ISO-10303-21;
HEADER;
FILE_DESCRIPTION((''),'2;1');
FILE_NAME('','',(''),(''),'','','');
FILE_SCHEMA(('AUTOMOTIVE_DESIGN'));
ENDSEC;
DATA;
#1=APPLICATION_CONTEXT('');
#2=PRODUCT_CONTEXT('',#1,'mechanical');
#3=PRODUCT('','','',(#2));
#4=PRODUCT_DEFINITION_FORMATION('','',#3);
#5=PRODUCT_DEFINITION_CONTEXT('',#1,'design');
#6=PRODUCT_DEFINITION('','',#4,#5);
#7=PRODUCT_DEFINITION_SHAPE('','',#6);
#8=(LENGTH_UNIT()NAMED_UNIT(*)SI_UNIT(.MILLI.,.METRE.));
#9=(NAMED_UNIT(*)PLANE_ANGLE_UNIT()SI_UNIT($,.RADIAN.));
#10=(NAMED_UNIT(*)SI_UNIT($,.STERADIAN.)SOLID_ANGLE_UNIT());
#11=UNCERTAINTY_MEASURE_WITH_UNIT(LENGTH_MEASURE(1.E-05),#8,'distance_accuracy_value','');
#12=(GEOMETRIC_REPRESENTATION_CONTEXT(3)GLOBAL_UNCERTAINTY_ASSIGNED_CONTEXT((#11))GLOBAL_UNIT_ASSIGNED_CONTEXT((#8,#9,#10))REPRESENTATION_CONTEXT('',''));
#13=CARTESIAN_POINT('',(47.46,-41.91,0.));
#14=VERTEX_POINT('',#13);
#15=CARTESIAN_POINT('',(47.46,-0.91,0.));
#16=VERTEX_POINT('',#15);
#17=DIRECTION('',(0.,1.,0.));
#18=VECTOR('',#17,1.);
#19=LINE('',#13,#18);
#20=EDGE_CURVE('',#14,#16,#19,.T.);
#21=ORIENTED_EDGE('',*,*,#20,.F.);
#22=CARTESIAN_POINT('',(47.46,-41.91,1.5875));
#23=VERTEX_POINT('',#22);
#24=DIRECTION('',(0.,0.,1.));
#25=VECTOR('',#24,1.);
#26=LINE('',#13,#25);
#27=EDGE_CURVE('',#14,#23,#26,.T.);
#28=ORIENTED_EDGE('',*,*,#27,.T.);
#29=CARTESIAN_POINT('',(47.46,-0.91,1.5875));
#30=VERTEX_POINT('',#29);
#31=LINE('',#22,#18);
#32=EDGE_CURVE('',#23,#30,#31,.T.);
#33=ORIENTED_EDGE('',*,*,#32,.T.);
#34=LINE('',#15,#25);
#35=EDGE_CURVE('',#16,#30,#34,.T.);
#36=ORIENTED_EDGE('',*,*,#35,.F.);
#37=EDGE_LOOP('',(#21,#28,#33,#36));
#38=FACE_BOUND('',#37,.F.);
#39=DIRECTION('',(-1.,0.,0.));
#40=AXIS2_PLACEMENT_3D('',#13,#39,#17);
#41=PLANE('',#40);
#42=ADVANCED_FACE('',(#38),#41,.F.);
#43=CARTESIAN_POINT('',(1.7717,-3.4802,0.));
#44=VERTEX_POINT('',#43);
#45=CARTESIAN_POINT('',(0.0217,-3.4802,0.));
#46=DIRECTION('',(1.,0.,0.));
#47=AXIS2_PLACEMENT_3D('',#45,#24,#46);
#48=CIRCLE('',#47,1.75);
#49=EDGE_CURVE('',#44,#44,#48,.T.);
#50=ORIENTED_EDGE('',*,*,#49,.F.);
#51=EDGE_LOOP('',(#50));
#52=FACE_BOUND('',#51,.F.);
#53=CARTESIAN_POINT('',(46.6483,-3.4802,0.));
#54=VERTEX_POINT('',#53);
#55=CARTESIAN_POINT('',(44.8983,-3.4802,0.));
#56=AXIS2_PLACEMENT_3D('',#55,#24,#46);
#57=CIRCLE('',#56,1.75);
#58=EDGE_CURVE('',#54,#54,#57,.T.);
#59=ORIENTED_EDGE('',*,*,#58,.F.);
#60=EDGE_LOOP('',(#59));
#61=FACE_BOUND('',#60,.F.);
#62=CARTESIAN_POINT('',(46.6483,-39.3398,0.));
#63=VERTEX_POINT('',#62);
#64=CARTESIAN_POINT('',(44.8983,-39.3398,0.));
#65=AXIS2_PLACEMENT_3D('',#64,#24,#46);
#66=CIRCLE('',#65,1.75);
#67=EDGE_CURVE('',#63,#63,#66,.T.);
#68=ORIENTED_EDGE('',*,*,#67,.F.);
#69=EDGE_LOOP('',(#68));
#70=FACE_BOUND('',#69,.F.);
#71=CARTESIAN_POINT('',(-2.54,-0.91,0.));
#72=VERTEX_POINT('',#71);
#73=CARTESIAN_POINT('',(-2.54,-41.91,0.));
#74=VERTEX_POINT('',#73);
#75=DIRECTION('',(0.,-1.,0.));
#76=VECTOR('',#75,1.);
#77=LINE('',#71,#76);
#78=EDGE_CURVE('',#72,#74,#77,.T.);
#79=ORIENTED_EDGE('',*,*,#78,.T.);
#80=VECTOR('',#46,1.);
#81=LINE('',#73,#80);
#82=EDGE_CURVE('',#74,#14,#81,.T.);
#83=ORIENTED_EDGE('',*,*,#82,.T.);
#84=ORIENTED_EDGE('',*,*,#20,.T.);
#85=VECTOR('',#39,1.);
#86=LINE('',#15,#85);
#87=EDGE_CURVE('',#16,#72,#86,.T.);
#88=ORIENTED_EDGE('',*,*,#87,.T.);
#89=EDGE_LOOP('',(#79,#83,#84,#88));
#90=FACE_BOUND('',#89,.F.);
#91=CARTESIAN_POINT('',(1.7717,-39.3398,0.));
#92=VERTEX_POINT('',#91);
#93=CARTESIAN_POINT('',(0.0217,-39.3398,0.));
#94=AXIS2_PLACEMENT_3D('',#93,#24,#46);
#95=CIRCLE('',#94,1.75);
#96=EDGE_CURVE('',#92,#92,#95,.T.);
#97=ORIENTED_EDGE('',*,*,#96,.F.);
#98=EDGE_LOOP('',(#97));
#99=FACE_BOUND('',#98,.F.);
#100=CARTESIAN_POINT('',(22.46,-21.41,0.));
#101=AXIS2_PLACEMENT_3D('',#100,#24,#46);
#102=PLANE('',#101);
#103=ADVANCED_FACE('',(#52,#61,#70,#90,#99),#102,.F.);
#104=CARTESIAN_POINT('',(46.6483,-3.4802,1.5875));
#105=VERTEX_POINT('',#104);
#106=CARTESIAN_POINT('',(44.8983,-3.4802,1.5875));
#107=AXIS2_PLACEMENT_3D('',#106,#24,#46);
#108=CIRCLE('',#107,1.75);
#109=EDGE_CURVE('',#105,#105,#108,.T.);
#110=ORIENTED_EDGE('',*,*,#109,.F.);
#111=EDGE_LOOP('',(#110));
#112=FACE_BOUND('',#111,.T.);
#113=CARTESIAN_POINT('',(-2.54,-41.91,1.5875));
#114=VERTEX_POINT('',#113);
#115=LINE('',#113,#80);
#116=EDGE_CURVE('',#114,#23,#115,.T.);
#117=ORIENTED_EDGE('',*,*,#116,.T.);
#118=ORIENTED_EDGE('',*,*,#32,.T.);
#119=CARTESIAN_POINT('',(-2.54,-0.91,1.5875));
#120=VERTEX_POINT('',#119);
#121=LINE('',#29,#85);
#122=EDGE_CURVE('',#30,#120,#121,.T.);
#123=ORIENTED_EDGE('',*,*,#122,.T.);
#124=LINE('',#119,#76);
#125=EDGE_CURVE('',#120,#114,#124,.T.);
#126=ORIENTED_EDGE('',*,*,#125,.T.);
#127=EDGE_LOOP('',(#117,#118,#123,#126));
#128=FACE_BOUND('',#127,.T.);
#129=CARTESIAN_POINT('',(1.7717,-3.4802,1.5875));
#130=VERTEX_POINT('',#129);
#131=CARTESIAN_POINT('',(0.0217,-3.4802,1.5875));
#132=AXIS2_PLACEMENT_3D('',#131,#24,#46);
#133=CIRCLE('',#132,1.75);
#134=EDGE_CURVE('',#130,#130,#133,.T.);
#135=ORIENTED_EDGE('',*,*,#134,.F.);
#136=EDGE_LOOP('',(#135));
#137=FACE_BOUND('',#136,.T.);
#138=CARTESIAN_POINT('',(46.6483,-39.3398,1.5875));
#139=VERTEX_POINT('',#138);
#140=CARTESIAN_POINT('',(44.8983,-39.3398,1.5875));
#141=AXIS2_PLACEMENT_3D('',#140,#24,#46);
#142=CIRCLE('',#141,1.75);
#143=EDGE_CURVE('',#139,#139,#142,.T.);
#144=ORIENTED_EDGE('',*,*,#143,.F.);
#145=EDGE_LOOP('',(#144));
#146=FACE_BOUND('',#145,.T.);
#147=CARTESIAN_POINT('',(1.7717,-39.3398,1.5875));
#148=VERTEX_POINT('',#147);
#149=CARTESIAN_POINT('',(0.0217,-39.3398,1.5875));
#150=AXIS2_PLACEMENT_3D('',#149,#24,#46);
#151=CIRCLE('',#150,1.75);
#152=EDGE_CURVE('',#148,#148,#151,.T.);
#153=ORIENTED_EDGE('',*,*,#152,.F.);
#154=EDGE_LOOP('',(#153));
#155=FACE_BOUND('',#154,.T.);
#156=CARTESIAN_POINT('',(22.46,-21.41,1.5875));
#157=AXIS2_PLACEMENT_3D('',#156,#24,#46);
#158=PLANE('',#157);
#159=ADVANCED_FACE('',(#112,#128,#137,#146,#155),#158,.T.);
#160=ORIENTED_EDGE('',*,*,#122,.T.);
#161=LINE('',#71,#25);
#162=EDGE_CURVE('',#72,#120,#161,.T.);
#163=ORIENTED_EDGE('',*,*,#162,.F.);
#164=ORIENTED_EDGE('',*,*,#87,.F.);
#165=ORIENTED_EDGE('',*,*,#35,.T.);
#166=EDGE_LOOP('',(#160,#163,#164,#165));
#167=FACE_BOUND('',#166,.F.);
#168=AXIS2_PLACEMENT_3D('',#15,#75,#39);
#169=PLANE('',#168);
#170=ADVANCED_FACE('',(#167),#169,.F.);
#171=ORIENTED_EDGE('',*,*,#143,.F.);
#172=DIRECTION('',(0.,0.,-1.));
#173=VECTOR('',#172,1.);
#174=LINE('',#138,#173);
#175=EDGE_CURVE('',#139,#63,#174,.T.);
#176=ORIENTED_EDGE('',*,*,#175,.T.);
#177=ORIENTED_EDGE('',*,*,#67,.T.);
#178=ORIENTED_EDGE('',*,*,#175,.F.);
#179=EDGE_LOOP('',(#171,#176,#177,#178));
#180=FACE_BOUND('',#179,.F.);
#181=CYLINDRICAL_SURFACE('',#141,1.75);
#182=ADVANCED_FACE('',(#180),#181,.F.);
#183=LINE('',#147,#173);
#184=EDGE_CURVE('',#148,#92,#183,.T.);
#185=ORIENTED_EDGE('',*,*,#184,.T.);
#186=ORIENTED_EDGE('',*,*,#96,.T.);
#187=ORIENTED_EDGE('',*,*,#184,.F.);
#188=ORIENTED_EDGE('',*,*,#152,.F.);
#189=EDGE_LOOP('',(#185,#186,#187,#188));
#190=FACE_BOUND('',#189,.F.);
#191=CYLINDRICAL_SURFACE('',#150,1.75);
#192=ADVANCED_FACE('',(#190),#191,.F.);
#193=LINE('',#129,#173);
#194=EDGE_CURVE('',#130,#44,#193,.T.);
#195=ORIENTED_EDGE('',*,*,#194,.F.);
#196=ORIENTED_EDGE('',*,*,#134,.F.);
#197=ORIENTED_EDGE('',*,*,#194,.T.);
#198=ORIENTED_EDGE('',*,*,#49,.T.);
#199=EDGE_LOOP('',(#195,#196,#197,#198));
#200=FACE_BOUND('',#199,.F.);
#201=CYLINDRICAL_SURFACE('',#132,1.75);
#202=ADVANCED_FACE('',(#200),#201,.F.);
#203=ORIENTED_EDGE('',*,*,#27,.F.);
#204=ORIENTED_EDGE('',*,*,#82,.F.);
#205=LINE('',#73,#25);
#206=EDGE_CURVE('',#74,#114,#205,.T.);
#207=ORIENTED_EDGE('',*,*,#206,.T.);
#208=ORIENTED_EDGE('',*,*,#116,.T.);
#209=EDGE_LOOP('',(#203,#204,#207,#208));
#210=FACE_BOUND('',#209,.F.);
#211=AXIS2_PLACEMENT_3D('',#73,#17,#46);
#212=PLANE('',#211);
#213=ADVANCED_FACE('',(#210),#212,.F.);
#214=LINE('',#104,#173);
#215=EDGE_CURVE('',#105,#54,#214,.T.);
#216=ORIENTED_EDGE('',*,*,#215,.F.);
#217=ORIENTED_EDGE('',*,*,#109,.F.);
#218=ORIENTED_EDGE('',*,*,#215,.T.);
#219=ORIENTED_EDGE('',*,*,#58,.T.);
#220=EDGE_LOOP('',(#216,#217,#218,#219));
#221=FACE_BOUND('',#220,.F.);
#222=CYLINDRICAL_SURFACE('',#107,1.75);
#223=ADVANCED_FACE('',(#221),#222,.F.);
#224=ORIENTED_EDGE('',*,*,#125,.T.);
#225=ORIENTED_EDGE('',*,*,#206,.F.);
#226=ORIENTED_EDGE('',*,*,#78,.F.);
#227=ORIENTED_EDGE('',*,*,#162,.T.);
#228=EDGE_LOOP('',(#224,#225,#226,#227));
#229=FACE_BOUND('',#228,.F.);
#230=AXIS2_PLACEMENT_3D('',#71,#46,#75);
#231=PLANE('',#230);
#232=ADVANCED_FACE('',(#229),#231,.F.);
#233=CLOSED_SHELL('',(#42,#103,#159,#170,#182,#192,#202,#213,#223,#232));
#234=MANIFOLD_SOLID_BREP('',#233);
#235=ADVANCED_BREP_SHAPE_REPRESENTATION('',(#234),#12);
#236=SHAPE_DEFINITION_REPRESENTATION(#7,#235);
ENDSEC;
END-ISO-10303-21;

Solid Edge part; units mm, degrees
sketch "Sketch1" plane through (0, 0, 0) normal (0, 0, 1) x (1, 0, 0)
  line L0 (-2.54, -0.91) -> (-2.54, -41.91)
  line L1 (-2.54, -41.91) -> (47.46, -41.91)
  line L2 (47.46, -41.91) -> (47.46, -0.91)
  line L3 (47.46, -0.91) -> (-2.54, -0.91)
extrude "Protrusion1" add sketch "Sketch1" along normal blind 1.5875
sketch "Sketch2" plane through (22.46, -21.41, 1.5875) normal (0, 0, 1) x (1, 0, 0)
  circle A0 centre (22.4383, 17.9298) radius 1.75
  circle A1 centre (22.4383, -17.9298) radius 1.75
  circle A2 centre (-22.4383, -17.9298) radius 1.75
  circle A3 centre (-22.4383, 17.9298) radius 1.75
  dimension "D1" = 3.5
  dimension "D2" = 41.3766
  dimension "D3" = 32.3596
extrude "ExtrudedCutout_1" cut sketch "Sketch2" against normal blind 33.274
